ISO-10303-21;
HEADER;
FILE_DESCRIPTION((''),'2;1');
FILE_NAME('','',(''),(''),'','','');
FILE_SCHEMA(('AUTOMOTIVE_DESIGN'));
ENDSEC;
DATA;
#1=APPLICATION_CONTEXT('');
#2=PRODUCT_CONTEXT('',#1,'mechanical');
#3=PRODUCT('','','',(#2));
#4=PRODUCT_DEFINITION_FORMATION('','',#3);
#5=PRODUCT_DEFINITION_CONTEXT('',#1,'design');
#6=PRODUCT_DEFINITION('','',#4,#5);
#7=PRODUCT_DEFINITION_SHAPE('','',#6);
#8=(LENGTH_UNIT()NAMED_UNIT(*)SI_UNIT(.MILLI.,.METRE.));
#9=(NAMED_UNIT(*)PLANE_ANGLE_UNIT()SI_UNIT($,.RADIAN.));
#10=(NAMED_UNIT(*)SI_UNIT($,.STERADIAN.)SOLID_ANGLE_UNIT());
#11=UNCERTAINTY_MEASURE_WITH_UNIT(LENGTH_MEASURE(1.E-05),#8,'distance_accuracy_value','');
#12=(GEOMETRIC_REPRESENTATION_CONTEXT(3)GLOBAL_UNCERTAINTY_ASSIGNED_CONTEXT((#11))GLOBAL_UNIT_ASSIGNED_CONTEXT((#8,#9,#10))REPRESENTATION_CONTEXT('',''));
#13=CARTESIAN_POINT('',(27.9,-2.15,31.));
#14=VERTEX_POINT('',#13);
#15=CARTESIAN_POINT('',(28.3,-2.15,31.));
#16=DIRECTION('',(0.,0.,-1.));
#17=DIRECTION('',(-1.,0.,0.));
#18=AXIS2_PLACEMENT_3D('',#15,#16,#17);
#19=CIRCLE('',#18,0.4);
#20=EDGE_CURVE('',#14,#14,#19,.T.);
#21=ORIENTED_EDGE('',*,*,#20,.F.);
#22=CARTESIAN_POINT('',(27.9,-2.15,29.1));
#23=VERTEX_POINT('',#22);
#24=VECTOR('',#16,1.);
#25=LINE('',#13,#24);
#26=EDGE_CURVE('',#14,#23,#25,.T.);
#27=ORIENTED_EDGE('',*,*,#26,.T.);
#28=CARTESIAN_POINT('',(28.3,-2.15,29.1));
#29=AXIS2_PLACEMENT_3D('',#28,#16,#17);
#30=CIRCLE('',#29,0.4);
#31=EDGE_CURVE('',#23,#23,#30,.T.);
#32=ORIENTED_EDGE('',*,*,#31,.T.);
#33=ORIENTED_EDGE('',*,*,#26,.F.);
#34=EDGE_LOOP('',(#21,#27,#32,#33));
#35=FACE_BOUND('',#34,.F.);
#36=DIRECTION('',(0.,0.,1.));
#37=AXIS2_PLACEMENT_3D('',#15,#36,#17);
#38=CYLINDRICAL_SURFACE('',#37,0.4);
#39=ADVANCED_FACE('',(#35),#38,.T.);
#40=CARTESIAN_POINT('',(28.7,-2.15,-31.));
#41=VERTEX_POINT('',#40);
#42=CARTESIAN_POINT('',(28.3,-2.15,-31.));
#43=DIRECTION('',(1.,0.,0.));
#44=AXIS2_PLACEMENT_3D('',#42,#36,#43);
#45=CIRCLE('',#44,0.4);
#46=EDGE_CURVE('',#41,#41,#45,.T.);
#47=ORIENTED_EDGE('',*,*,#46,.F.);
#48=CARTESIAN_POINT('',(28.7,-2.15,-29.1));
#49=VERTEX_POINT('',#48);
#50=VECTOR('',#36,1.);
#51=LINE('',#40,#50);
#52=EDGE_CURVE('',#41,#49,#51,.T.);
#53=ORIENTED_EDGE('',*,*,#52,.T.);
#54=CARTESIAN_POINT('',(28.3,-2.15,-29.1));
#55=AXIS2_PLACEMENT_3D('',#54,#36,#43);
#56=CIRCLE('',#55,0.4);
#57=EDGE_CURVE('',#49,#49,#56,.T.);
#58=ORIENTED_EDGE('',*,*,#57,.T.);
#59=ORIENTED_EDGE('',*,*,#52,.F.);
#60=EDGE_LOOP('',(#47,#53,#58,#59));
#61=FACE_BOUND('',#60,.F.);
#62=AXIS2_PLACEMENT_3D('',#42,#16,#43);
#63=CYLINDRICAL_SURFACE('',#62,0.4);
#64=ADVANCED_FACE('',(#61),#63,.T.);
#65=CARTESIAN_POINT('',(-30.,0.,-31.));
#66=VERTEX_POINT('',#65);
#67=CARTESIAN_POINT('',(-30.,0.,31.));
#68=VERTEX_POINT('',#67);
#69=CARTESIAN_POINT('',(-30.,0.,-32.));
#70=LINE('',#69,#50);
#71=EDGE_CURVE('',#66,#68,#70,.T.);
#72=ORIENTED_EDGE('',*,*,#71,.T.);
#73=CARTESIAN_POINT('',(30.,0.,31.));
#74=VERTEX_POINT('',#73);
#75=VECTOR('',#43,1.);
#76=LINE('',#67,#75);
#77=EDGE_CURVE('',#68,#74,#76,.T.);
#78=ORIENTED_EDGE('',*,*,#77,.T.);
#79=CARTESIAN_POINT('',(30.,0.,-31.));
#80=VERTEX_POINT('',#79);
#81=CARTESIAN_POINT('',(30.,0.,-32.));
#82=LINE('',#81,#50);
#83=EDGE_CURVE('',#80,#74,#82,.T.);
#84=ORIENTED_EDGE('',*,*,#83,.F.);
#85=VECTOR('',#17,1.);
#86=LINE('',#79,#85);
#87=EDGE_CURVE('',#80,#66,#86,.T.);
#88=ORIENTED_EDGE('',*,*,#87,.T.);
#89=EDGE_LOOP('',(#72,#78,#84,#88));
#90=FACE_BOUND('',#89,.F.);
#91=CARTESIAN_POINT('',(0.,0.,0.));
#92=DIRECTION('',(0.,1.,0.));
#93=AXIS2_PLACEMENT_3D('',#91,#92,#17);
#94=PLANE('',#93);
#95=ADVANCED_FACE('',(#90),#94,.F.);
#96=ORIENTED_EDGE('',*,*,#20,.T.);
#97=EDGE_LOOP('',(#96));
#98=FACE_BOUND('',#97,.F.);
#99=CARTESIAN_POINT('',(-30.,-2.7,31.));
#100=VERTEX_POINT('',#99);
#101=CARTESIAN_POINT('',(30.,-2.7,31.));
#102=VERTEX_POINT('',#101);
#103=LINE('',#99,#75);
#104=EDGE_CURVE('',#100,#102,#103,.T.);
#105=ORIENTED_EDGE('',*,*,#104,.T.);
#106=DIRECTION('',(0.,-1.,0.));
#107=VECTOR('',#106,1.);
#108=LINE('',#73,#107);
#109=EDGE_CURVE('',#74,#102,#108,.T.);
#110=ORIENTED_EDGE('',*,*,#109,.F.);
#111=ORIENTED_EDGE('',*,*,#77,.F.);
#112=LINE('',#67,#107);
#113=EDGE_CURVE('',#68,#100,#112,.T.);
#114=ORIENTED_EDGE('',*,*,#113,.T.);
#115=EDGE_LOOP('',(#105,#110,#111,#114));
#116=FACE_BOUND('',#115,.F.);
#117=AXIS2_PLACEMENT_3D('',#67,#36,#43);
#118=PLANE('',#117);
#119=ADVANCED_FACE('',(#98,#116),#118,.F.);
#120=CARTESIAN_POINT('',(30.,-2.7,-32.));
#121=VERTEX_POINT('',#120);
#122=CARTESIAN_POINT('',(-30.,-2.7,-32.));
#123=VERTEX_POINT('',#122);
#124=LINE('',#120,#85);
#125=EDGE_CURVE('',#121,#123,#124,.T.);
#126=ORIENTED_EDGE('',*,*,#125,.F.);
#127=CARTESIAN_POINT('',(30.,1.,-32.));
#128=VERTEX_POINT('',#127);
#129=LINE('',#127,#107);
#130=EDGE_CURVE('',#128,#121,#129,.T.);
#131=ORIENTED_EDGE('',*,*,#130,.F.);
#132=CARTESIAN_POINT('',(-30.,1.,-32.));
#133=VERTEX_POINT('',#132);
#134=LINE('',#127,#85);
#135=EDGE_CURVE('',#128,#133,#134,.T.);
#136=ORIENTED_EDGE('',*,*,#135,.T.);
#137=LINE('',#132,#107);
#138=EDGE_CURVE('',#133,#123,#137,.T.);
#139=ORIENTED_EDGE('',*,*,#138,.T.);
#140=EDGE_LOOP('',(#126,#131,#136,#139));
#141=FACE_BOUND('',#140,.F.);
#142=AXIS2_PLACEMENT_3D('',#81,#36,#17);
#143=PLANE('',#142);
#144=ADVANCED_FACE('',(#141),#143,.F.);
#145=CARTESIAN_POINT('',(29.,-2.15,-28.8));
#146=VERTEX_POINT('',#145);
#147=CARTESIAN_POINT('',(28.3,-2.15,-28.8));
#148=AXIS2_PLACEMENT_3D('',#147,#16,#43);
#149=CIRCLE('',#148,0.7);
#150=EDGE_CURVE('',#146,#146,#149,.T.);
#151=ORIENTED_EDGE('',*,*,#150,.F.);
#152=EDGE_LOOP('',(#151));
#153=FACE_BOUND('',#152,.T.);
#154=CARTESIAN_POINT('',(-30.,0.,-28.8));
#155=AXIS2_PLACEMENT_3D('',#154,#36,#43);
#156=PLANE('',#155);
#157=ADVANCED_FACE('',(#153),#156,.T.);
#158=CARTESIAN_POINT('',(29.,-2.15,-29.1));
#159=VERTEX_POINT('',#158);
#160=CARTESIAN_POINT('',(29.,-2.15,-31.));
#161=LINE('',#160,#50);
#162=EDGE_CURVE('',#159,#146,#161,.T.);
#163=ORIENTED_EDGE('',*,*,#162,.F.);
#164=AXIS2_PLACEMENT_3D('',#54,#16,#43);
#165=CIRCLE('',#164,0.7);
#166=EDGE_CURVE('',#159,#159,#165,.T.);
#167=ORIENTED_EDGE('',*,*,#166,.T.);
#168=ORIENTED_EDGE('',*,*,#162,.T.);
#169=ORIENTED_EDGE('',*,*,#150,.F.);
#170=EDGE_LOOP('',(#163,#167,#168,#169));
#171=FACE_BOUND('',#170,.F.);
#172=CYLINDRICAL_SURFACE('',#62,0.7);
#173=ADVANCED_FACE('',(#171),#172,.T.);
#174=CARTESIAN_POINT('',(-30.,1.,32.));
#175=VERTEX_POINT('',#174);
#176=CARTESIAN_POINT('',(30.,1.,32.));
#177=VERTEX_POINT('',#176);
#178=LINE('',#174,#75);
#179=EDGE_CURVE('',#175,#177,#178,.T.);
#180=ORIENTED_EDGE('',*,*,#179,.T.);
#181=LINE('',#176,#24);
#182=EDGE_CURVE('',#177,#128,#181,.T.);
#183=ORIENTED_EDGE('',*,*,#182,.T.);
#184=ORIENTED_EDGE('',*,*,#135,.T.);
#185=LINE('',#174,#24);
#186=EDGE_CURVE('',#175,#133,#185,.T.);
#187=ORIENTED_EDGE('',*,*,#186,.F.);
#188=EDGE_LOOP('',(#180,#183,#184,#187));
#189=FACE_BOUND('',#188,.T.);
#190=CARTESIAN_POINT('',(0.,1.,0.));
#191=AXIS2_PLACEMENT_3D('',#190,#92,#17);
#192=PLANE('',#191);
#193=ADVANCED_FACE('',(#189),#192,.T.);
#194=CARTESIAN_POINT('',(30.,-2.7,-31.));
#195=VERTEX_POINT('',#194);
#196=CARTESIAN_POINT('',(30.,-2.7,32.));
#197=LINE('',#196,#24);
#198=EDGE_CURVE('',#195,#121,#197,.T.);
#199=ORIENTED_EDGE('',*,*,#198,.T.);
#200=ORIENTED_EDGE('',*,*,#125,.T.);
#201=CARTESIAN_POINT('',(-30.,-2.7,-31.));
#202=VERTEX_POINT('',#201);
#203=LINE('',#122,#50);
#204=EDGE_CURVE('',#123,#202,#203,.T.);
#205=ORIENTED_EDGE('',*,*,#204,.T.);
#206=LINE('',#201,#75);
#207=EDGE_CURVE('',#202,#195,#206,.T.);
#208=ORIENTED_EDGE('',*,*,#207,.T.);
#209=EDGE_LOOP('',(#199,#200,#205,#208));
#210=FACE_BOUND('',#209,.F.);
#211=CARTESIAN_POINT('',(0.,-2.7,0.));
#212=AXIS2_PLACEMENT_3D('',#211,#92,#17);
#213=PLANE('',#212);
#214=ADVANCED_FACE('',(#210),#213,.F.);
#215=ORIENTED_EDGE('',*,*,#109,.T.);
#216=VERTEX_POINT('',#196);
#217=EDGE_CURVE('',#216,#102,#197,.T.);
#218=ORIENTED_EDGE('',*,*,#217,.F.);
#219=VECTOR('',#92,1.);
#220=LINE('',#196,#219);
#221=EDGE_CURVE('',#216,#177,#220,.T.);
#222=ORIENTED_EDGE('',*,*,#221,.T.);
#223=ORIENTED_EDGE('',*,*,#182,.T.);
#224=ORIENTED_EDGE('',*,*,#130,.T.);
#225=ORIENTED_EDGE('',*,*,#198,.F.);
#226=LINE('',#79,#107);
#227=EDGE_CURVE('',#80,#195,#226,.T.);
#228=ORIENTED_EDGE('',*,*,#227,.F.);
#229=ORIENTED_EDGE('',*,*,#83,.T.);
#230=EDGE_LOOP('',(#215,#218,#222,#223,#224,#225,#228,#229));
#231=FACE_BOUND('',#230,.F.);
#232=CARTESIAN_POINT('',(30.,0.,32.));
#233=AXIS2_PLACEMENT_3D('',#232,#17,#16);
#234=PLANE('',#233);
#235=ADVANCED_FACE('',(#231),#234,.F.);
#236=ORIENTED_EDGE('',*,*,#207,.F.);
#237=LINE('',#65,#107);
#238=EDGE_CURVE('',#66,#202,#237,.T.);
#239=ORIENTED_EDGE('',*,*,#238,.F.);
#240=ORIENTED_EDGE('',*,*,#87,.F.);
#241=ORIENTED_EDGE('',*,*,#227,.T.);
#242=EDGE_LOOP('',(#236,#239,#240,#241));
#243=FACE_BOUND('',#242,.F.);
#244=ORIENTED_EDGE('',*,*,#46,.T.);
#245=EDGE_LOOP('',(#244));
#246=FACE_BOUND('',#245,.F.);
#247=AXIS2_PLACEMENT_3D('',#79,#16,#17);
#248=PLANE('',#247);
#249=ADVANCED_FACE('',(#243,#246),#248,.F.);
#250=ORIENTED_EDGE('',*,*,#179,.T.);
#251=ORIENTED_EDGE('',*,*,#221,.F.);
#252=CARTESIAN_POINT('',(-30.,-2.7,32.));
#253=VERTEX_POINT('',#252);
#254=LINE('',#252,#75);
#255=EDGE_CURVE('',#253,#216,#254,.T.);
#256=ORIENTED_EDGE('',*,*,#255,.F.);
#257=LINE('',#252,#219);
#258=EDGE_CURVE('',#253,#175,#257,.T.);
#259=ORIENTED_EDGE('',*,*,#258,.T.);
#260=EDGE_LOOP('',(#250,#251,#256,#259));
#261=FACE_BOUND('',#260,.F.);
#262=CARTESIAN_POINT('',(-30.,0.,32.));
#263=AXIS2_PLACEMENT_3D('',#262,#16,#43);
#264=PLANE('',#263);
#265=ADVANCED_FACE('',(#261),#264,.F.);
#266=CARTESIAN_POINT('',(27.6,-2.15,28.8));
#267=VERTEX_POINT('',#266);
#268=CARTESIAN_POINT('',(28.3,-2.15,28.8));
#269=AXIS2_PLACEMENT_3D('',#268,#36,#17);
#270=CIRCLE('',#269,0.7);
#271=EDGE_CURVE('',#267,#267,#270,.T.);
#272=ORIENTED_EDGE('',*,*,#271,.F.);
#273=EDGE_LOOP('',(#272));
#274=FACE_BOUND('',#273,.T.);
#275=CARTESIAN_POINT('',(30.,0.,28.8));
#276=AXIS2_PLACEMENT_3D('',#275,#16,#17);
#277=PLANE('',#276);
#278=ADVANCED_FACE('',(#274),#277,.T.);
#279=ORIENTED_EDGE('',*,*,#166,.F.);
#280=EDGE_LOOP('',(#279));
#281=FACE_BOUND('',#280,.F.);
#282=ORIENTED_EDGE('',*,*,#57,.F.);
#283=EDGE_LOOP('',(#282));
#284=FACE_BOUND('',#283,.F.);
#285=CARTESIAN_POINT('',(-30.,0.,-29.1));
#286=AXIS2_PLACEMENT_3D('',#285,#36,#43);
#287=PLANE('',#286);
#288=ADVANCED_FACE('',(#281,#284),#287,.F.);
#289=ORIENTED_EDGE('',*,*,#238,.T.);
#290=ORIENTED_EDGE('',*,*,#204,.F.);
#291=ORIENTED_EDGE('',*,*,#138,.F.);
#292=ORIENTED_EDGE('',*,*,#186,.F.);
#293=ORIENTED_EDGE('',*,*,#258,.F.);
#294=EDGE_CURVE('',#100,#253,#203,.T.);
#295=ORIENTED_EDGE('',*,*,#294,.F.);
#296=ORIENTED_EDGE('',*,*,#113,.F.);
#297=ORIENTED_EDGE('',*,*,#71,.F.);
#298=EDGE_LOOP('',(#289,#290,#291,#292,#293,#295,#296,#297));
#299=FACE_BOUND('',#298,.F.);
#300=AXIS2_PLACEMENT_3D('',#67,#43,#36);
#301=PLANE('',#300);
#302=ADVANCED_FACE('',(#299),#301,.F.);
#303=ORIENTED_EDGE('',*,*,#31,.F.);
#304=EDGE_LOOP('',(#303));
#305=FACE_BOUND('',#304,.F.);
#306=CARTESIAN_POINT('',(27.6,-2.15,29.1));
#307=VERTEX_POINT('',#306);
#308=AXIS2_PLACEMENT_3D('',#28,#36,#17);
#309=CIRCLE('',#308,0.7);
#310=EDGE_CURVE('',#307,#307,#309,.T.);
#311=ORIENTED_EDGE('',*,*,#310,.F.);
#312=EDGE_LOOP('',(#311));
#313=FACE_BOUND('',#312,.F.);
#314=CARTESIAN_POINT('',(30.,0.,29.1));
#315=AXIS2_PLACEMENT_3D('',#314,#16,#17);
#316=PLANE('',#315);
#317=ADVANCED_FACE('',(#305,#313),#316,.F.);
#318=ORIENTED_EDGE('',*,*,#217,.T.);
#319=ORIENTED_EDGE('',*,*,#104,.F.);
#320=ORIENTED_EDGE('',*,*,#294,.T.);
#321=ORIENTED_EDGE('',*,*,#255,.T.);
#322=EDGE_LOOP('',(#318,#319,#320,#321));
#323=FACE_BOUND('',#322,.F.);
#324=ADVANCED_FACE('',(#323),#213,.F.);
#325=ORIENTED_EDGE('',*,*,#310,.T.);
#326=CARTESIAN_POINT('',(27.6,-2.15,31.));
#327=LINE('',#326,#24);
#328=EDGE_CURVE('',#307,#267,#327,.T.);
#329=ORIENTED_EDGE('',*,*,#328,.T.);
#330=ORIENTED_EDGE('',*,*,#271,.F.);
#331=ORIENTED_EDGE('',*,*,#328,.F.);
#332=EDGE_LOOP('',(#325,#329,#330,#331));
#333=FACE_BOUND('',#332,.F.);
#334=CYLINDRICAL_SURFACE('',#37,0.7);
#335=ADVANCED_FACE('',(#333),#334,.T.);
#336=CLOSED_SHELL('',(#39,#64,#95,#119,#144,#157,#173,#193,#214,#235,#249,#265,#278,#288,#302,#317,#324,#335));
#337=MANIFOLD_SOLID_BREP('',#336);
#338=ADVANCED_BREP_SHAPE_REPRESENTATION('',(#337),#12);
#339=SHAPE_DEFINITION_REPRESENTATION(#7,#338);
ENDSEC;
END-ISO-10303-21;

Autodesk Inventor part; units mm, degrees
ref_plane "YZ Plane" through (0, 0, 0) normal (1, 0, 0) x (0, 1, 0)
ref_plane "XZ Plane" through (0, 0, 0) normal (0, 1, 0) x (-1, 0, 0)
ref_plane "XY Plane" through (0, 0, 0) normal (0, 0, 1) x (1, 0, 0)
sketch "Schizzo1" plane through (0, 0, 0) normal (0, 1, 0) x (-1, 0, 0)
  line L0 (30, 32) -> (-30, 32)
  line L1 (-30, 32) -> (-30, -32)
  line L2 (-30, -32) -> (30, -32)
  line L3 (30, -32) -> (30, 32)
  line L4 (0, 0) -> (41.9471, 0) construction
  line L5 (0, 0) -> (0, -48.4274) construction
  line L6 (28.8, 32) -> (28.8, 29.75) construction
  line L7 (28.8, 29.75) -> (30, 29.75) construction
  line L8 (28.8, 29.75) -> (28.1, 29.75) construction
  circle A0 centre (28.1, 29.75) radius 0.35
  line L9 (28.8, -32) -> (28.8, -29.75) construction
  line L10 (28.8, -29.75) -> (30, -29.75) construction
  line L11 (28.8, -29.75) -> (28.1, -29.75) construction
  circle A1 centre (28.1, -29.75) radius 0.7
  circle A2 centre (28.1, -29.75) radius 0.35
  circle A3 centre (28.1, 29.75) radius 0.65
  line L12 (30, 31) -> (-30, 31)
  line L13 (-30, 31) -> (-30, -31)
  line L14 (-30, -31) -> (30, -31)
  line L15 (30, -31) -> (30, 31)
  dimension "d0" = 60
  dimension "d1" = 64
  dimension "d2" = 2.25
  dimension "d3" = 1.2
  dimension "d4" = 0.7
  dimension "d5" = 0.7
  dimension "d8" = 1.3
  dimension "d9" = 62
extrude "Estrusione1" add sketch "Schizzo1" along normal blind 1 contours L3 L12 L1 L0 | L3 L14 L1 L12 | L3 L2 L1 L14 | A0 | A1 | A2 | A3
extrude "Estrusione2" add sketch "Schizzo1" against normal blind 2.7 contours L3 L12 L1 L0 | L3 L2 L1 L14
sketch "Schizzo2" plane through (30, 0, 31) normal (0, 0, -1) x (-1, 0, 0)
  line L0 (0, -2.7) -> (60, -2.7) projected
  line L1 (0, -2.7) -> (0, 1) construction
  line L2 (0, -0.5) -> (6.4394, -0.5) construction
  line L3 (0, -0.5) -> (0, -0.65) construction
  line L4 (0, -0.65) -> (0, -2.15) construction
  line L5 (0, -2.15) -> (1, -2.15) construction
  line L6 (1, -2.15) -> (1.7, -2.15) construction
  circle A0 centre (1.7, -2.15) radius 0.7
  circle A1 centre (1.7, -2.15) radius 0.4
  line L7 (0, -0.5) -> (0, 0) construction
  point P0 (30, 0)
  dimension "d14" = 2.2
  dimension "d15" = 0.15
  dimension "d16" = 1.5
  dimension "d17" = 1
  dimension "d18" = 0.7
  dimension "d19" = 1.4
  dimension "d20" = 0.8
extrude "Estrusione3" add sketch "Schizzo2" along normal blind 2.2 contours A0 L0 | L0 A0 | A1
extrude "Estrusione4" cut sketch "Schizzo2" along normal blind 1.9
sketch "Schizzo3" plane through (-30, 0, -31) normal (0, 0, 1) x (1, 0, 0)
  line L0 (60, -2.7) -> (60, 1) projected
  line L1 (0, -2.7) -> (60, -2.7) projected
  line L2 (60, 0) -> (60, -0.65) construction
  line L3 (60, -0.65) -> (60, -2.15) construction
  line L4 (60, -2.15) -> (59, -2.15) construction
  line L5 (59, -2.15) -> (58.3, -2.15) construction
  circle A0 centre (58.3, -2.15) radius 0.7
  circle A1 centre (58.3, -2.15) radius 0.4
  line L6 (0, 0) -> (60, 0) projected
  point P0 (30, 0)
  dimension "d26" = 0.65
  dimension "d27" = 1.5
  dimension "d28" = 1
  dimension "d29" = 0.7
  dimension "d30" = 1.4
  dimension "d31" = 0.8
extrude "Estrusione5" add sketch "Schizzo3" along normal blind 2.2 contours A0 L1 | L1 A0 | A1
extrude "Estrusione6" cut sketch "Schizzo3" along normal blind 1.9
properties part number "coperchio contieni SD"
